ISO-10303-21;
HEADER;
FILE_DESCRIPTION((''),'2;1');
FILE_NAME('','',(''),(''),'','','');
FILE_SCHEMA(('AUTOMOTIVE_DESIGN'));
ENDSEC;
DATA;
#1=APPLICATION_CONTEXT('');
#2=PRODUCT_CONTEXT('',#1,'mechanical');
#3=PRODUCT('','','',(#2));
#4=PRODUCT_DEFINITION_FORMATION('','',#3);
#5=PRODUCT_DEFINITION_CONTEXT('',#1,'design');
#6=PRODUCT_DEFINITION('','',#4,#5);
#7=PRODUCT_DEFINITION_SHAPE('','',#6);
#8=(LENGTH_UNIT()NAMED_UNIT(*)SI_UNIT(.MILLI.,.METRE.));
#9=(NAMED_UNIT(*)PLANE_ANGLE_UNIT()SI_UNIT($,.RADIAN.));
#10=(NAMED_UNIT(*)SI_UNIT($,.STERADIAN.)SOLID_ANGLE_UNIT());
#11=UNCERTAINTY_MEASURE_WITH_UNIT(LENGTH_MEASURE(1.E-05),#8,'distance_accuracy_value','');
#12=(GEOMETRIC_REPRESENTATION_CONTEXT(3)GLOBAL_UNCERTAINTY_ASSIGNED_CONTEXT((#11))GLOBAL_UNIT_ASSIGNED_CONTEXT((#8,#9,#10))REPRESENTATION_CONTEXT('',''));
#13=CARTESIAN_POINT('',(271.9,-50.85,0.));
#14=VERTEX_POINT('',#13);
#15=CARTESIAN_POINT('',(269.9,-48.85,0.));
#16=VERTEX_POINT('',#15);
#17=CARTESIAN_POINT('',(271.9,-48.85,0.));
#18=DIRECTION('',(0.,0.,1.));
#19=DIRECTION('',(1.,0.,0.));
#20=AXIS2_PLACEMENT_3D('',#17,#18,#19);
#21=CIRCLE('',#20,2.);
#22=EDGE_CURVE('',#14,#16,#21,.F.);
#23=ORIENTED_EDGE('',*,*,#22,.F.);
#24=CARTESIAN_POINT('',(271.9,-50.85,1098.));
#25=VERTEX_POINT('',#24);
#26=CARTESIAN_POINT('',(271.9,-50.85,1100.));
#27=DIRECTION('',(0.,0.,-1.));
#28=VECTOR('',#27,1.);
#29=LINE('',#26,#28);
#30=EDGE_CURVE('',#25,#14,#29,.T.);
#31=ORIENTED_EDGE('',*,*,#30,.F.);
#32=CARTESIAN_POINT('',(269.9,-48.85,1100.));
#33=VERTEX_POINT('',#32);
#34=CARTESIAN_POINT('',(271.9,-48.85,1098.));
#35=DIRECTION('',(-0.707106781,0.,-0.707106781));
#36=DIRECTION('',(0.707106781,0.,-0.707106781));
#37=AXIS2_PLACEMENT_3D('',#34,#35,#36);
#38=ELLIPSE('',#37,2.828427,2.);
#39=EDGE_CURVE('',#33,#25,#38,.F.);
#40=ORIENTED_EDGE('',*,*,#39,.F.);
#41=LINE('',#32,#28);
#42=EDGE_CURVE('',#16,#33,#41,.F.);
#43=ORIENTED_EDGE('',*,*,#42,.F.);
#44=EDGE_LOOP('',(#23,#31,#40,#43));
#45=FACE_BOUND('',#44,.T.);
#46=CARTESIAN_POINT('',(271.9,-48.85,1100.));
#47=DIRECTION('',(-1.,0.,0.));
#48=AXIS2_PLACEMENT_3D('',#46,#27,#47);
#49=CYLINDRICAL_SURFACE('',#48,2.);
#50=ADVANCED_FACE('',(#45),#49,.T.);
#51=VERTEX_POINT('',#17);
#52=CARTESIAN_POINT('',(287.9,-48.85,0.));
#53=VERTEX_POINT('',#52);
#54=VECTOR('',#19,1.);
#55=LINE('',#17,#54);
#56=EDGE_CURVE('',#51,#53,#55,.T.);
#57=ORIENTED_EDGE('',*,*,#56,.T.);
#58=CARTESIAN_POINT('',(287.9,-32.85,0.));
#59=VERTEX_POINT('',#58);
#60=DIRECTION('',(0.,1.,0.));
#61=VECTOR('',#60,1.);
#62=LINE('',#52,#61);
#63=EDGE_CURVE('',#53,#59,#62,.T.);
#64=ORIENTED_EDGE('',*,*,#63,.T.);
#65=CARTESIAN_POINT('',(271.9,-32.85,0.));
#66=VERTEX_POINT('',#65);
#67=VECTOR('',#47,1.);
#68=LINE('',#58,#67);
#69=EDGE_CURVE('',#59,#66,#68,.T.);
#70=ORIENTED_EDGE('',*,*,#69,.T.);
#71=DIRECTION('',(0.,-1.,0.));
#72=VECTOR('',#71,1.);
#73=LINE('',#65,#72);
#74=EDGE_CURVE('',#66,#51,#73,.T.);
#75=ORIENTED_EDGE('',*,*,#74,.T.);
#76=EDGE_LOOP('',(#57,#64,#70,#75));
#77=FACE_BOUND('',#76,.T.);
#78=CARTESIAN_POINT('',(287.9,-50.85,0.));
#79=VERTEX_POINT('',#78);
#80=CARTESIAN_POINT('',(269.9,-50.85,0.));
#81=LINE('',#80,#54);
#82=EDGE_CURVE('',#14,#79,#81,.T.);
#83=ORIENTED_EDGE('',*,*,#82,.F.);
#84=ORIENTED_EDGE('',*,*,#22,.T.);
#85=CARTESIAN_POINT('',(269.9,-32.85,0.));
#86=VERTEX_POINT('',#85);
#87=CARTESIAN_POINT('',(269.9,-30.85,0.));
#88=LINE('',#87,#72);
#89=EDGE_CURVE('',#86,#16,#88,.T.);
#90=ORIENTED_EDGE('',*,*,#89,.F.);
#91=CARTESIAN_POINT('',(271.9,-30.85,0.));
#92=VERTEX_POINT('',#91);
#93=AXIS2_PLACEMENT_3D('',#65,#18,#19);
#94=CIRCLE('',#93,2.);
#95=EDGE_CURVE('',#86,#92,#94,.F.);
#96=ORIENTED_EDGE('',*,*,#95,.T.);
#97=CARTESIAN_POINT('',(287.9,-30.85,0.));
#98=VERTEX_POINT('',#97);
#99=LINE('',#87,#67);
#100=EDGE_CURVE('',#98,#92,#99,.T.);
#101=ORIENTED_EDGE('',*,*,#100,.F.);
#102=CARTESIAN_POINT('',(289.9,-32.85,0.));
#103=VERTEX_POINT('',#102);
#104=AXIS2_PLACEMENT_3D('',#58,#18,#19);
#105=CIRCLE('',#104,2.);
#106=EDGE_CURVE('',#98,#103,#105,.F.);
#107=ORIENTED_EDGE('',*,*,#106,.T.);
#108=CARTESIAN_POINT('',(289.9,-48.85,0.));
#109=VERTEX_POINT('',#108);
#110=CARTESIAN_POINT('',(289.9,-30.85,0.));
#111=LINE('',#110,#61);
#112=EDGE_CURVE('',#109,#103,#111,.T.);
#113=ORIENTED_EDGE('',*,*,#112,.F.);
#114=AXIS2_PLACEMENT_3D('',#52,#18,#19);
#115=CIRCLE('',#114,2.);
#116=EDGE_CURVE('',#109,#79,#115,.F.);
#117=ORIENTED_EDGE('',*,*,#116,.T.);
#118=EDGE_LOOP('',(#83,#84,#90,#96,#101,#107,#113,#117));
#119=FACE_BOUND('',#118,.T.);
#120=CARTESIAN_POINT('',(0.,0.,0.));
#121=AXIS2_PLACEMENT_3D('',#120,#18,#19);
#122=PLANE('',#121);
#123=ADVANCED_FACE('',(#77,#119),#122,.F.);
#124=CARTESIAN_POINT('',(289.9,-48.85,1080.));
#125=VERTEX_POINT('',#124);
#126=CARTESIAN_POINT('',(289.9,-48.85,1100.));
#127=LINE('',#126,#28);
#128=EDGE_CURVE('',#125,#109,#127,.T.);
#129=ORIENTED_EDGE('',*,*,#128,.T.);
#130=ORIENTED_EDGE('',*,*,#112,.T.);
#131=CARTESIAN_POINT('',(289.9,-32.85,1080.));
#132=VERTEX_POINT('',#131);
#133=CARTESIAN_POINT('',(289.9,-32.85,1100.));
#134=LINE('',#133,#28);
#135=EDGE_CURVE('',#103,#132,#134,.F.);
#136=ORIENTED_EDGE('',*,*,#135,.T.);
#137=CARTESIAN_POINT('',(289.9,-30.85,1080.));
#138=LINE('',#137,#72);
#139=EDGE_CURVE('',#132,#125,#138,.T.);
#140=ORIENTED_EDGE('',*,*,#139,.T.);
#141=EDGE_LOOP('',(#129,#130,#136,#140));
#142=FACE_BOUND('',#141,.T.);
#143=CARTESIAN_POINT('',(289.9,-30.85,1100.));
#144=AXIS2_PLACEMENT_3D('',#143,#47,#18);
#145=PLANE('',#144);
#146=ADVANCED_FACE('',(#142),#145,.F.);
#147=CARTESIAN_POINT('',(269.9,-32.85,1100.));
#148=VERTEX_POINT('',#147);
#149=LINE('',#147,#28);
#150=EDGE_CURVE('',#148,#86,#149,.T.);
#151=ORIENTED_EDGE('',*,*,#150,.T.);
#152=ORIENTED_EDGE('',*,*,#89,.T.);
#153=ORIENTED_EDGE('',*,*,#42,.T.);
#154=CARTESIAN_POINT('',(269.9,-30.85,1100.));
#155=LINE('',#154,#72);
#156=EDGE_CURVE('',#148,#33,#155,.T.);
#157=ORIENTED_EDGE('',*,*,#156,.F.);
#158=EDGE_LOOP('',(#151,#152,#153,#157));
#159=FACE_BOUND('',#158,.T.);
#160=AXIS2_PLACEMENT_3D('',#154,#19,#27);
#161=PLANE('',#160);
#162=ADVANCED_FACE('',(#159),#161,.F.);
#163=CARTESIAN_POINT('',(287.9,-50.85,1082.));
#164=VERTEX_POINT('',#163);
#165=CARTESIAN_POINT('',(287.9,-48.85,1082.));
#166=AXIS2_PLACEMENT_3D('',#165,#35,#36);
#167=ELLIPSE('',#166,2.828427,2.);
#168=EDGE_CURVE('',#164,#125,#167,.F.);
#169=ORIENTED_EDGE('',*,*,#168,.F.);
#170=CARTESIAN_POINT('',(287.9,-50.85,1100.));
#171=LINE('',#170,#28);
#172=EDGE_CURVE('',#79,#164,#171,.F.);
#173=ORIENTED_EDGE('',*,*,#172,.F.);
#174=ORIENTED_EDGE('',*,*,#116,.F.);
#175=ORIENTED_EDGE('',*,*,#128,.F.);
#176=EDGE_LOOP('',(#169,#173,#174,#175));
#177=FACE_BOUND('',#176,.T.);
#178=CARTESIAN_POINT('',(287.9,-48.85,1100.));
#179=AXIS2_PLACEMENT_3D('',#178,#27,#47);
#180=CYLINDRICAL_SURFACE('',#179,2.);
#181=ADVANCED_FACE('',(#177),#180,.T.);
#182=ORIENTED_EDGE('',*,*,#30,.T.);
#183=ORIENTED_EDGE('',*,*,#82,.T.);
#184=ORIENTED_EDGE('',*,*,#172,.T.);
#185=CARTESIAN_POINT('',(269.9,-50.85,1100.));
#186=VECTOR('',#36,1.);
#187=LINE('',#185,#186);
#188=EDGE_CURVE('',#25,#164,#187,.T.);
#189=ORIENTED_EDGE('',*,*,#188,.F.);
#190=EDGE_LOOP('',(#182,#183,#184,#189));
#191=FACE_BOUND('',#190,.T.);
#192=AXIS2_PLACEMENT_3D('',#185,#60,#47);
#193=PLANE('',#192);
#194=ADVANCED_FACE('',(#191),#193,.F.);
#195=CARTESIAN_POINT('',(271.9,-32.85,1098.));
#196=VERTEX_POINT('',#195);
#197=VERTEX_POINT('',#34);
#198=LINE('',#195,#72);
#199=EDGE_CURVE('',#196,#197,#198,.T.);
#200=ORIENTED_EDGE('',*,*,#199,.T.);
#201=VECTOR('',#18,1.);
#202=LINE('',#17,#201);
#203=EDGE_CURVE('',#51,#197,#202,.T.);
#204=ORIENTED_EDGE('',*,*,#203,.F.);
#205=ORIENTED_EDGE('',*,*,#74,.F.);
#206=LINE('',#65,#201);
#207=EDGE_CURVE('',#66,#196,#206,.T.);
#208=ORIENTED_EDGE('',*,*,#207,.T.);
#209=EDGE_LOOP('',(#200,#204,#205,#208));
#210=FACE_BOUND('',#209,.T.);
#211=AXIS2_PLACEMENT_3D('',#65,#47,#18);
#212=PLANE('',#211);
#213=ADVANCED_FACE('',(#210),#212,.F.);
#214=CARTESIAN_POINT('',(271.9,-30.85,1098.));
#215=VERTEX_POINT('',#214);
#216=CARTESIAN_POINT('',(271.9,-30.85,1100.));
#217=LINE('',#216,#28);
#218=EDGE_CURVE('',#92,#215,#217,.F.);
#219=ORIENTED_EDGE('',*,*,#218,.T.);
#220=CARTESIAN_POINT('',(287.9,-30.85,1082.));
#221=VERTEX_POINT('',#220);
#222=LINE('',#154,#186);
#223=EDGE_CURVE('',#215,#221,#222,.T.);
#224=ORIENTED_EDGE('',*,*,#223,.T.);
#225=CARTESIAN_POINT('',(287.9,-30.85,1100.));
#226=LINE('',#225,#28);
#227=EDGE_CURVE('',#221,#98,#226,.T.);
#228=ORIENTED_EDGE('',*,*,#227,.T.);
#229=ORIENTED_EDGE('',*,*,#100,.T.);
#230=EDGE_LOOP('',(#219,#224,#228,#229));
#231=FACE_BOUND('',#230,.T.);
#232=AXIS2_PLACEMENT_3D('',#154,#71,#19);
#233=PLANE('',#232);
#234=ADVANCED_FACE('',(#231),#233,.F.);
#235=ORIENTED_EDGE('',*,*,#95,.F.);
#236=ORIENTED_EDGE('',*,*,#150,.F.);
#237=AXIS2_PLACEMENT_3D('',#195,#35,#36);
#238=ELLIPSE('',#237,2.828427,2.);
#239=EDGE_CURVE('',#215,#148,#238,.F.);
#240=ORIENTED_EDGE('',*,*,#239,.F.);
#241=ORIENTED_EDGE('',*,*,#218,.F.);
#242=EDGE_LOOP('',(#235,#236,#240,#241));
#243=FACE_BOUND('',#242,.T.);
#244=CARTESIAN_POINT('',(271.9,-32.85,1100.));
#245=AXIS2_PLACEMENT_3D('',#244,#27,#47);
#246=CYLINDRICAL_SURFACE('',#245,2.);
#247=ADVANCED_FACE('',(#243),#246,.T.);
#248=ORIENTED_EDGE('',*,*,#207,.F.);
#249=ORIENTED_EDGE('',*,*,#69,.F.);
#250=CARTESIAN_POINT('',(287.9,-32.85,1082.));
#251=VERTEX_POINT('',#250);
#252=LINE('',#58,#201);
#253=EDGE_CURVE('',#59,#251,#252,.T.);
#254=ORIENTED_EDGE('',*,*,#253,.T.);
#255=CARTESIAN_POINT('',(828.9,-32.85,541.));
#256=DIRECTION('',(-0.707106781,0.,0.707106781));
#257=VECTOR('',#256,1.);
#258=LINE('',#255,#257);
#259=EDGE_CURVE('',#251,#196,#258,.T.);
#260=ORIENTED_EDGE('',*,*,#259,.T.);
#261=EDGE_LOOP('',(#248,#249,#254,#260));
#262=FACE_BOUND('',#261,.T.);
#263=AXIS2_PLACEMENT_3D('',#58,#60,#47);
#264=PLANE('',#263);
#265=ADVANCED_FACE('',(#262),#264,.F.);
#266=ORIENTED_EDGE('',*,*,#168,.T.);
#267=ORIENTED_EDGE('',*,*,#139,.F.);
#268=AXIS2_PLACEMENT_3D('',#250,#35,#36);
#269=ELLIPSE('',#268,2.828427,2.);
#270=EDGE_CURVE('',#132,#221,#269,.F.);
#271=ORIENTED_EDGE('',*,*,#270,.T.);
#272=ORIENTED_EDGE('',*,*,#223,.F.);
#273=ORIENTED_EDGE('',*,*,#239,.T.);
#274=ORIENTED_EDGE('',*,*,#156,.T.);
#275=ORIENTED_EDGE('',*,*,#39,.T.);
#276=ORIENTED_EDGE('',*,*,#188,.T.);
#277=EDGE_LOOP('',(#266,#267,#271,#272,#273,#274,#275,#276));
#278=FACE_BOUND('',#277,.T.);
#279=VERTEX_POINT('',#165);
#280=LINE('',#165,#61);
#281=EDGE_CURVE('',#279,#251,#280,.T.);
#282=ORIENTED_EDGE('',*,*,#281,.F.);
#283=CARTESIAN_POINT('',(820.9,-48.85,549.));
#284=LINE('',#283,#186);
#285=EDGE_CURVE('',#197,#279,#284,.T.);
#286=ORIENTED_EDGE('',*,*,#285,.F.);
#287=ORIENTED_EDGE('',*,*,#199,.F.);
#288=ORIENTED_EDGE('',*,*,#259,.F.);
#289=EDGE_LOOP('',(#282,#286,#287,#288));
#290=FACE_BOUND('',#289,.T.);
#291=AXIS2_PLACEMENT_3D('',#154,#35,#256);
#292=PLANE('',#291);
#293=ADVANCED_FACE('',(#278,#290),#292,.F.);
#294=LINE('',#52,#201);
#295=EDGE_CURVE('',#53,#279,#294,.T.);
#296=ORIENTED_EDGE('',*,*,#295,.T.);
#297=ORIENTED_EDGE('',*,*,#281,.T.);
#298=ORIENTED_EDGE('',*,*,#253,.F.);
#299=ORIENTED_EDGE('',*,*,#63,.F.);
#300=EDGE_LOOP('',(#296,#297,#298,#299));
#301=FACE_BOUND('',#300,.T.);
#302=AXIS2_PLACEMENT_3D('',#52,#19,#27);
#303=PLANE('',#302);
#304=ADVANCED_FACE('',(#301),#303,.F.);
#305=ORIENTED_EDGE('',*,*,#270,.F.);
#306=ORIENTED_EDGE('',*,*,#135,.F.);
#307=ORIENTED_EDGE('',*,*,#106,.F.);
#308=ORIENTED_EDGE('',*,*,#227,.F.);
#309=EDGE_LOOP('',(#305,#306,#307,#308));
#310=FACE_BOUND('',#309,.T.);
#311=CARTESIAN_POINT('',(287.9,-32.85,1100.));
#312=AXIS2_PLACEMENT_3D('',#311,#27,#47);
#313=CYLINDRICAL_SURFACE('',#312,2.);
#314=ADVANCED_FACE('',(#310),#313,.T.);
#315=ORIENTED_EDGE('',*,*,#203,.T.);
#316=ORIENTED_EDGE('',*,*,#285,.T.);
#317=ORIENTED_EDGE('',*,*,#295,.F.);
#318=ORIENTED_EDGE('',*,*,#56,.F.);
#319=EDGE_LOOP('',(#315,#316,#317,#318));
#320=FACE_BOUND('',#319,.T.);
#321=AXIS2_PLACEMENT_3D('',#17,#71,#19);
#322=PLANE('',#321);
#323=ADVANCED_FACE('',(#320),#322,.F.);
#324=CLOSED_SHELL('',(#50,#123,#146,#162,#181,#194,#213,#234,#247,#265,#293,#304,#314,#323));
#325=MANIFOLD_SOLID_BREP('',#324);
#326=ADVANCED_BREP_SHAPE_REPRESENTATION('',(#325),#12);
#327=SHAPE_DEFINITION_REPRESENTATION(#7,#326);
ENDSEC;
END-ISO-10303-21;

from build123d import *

# Parameters (mm, degrees)
SKETCH1_W           = 20
SKETCH1_H           = 20
BOSS_EXTRUDE1_DEPTH = 1100
FILLET1_R           = 2
SKETCH2_W           = 16
SKETCH2_H           = 16
CUT_EXTRUDE1_DEPTH  = 1101
CUT_EXTRUDE2_DEPTH  = 21


with BuildPart() as part:
    # Sketch1 → Boss-Extrude1 (new body)
    with BuildSketch(Plane.XY):
        with Locations((279.9, -40.85)):
            Rectangle(SKETCH1_W, SKETCH1_H)
    extrude(amount=BOSS_EXTRUDE1_DEPTH)

    # Fillet1
    fillet1_edges = [part.edges().sort_by_distance(p)[0] for p in [
        (269.9, -30.85, 550),
        (289.9, -30.85, 550),
        (289.9, -50.85, 550),
        (269.9, -50.85, 550),
    ]]
    fillet(fillet1_edges, radius=FILLET1_R)

    # Sketch2 → Cut-Extrude1 (cut, through all)
    with BuildSketch(Plane.XY.offset(1100)):
        with Locations((279.9, -40.85)):
            Rectangle(SKETCH2_W, SKETCH2_H)
    extrude(amount=-CUT_EXTRUDE1_DEPTH, mode=Mode.SUBTRACT)

    # Sketch3 → Cut-Extrude2 (cut, through all)
    with BuildSketch(Plane.XZ.offset(50.85)):
        Polygon((269.9, 1100), (289.9, 1080), (289.9, 1100), align=None)
    extrude(amount=-CUT_EXTRUDE2_DEPTH, mode=Mode.SUBTRACT)


solid = part.part
